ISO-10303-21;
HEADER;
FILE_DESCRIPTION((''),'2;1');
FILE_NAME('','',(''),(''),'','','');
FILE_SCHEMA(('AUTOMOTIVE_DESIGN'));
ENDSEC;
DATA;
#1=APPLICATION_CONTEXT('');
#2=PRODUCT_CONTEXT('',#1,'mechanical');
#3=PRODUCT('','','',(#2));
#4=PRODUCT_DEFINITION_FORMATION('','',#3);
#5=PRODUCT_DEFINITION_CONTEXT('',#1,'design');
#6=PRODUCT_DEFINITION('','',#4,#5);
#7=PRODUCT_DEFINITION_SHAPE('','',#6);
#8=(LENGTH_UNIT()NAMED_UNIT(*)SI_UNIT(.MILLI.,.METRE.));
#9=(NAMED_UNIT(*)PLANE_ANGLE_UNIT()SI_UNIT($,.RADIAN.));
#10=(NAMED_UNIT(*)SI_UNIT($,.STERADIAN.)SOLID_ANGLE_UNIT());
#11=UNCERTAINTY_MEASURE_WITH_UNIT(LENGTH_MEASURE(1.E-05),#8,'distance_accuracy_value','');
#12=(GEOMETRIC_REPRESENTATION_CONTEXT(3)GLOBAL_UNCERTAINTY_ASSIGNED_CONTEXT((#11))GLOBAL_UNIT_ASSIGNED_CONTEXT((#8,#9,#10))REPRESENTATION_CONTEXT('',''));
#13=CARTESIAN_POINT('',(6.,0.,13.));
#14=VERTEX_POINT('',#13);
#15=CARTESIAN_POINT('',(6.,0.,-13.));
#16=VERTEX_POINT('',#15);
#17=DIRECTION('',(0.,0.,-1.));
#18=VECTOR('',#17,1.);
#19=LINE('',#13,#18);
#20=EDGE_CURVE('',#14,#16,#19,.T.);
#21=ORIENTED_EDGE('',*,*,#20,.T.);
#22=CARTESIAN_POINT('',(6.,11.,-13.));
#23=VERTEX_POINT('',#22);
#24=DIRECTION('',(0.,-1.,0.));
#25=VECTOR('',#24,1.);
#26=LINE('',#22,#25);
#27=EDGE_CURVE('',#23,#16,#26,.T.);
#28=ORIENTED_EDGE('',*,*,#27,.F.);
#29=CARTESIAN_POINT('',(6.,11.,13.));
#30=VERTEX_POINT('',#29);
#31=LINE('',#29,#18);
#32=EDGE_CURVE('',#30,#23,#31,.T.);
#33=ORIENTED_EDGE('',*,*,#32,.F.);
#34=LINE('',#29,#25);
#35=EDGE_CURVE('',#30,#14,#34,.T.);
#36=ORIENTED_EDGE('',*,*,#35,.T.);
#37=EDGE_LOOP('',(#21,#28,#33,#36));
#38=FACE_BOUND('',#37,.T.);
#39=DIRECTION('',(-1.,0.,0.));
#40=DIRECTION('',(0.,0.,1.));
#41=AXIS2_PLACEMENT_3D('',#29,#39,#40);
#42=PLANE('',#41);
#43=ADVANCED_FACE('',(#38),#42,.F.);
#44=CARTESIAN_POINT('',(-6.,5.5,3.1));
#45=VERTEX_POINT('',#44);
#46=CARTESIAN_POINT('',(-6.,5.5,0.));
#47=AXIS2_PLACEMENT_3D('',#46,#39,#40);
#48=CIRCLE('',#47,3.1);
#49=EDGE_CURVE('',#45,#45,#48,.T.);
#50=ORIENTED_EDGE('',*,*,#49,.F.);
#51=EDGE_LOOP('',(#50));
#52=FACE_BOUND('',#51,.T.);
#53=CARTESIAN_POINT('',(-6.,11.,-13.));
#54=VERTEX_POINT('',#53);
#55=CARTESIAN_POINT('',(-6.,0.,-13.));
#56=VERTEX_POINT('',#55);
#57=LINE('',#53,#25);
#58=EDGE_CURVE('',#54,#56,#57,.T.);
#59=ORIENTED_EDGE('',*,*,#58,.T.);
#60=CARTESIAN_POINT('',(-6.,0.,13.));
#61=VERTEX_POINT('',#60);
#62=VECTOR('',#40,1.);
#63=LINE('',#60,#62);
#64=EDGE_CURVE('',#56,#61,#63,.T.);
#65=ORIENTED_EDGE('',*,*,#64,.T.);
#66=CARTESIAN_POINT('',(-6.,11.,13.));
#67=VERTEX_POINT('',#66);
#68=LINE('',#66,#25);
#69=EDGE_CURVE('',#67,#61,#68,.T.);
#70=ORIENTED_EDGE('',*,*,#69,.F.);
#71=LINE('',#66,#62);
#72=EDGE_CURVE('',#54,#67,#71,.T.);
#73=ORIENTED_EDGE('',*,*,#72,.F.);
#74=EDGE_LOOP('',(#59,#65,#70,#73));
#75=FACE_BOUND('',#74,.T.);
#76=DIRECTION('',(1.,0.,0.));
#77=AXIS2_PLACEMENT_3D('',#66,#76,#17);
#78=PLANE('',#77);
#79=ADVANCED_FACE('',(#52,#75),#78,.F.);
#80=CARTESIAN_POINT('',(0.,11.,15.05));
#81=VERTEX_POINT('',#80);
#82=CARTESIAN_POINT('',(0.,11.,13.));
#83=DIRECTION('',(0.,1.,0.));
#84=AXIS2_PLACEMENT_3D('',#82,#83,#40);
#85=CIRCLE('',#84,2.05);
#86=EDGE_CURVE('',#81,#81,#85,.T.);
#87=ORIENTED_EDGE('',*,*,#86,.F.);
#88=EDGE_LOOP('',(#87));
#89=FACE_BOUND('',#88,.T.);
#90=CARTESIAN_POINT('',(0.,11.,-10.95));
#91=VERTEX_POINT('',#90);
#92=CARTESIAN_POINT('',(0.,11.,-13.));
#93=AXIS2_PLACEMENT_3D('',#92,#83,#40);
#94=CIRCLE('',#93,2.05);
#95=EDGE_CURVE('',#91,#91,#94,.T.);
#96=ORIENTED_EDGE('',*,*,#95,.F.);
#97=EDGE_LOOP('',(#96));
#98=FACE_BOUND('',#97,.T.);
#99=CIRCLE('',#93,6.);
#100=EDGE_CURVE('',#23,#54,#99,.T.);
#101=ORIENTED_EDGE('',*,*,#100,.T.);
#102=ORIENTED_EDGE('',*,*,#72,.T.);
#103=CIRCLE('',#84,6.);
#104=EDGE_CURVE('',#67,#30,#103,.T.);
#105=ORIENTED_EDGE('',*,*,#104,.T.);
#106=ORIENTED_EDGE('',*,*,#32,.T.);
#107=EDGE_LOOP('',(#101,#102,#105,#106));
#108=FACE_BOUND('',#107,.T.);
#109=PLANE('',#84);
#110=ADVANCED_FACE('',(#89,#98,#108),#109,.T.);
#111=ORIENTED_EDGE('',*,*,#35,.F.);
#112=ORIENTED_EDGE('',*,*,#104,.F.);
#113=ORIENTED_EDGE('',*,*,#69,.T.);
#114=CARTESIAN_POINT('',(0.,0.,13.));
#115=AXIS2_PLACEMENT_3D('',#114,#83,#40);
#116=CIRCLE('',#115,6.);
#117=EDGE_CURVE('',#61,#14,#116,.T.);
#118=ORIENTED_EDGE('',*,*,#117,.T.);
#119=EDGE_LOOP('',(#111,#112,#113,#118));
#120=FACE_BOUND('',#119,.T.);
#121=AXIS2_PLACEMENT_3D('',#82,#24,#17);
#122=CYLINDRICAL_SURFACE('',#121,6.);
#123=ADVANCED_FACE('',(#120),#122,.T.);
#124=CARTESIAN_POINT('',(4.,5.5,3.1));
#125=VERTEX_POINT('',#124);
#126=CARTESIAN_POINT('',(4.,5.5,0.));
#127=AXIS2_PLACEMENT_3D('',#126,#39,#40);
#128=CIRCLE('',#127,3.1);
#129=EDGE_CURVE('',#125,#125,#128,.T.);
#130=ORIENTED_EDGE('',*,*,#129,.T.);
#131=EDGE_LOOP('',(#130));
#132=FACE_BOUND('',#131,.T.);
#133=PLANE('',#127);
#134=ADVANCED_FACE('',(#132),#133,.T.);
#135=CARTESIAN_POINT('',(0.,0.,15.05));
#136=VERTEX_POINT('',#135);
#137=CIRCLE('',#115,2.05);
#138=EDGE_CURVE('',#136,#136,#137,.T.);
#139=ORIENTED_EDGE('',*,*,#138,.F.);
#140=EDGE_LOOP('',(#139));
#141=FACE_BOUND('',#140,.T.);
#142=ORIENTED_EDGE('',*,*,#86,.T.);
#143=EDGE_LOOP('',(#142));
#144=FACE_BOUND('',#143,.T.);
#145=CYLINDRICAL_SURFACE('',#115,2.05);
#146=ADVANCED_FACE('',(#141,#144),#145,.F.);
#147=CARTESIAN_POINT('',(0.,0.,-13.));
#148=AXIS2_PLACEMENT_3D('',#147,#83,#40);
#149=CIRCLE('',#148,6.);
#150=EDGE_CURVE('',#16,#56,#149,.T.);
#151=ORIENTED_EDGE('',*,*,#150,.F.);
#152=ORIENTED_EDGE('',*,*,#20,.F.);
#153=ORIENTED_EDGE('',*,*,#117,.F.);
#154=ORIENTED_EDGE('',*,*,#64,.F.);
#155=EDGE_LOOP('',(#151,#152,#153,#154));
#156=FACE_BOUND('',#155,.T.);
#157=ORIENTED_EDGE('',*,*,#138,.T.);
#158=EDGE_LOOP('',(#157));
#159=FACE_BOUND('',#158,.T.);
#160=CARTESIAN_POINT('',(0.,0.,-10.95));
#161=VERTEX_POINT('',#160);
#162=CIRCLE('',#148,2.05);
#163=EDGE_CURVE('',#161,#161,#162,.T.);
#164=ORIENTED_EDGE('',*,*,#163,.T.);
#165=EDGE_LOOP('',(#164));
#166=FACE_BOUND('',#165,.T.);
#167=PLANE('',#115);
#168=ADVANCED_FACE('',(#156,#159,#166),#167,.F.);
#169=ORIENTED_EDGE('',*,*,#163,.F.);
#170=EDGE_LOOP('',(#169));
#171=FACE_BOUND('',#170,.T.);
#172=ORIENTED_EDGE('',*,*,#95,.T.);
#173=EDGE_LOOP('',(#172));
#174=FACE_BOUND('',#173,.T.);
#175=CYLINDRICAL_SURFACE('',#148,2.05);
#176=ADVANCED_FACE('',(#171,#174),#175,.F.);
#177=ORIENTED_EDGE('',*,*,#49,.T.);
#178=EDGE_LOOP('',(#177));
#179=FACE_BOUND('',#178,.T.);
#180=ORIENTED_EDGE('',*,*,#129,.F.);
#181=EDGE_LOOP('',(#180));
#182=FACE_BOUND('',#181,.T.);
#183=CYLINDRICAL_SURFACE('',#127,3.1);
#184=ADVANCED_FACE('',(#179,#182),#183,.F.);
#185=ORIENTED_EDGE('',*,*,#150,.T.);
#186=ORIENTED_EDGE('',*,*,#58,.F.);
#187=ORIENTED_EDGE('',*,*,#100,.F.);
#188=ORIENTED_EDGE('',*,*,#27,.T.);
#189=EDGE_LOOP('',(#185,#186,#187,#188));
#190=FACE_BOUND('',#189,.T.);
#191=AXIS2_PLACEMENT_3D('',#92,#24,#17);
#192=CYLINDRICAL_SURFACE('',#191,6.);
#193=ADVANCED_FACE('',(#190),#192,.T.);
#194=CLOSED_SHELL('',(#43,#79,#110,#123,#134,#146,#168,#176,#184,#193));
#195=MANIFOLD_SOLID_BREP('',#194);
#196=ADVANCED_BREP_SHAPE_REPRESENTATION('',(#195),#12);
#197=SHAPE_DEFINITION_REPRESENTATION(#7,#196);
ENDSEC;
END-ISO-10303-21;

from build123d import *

# Parameters (mm, degrees)
EXTRUDE_1_DEPTH     = 11
SKETCH_2_R          = 2.05
CUT_EXTRUDE_1_DEPTH = 12
SKETCH_3_R          = 3.1
CUT_EXTRUDE_2_DEPTH = 10


with BuildPart() as part:
    # 草图1 → 凸台-拉伸1 (new body)
    with BuildSketch(Plane(origin=(0, 0, 0), x_dir=(1, 0, 0), z_dir=(0, 1, 0))):
        with BuildLine():
            Line((-6, -13), (-6, 13))
            ThreePointArc((-6, 13), (0, 19), (6, 13))
            Line((6, 13), (6, -13))
            ThreePointArc((6, -13), (0, -19), (-6, -13))
        make_face()
    extrude(amount=EXTRUDE_1_DEPTH)

    # 草图2 → 切除-拉伸1 (cut, through all)
    with BuildSketch(Plane(origin=(0, 11, 0), x_dir=(1, 0, 0), z_dir=(0, 1, 0))):
        with Locations((0, 13)):
            Circle(SKETCH_2_R)
        with Locations((0, -13)):
            Circle(SKETCH_2_R)
    extrude(amount=-CUT_EXTRUDE_1_DEPTH, mode=Mode.SUBTRACT)

    # 草图3 → 切除-拉伸2 (cut)
    with BuildSketch(Plane.ZY.offset(6)):
        with Locations((0, 5.5)):
            Circle(SKETCH_3_R)
    extrude(amount=-CUT_EXTRUDE_2_DEPTH, mode=Mode.SUBTRACT)


solid = part.part
